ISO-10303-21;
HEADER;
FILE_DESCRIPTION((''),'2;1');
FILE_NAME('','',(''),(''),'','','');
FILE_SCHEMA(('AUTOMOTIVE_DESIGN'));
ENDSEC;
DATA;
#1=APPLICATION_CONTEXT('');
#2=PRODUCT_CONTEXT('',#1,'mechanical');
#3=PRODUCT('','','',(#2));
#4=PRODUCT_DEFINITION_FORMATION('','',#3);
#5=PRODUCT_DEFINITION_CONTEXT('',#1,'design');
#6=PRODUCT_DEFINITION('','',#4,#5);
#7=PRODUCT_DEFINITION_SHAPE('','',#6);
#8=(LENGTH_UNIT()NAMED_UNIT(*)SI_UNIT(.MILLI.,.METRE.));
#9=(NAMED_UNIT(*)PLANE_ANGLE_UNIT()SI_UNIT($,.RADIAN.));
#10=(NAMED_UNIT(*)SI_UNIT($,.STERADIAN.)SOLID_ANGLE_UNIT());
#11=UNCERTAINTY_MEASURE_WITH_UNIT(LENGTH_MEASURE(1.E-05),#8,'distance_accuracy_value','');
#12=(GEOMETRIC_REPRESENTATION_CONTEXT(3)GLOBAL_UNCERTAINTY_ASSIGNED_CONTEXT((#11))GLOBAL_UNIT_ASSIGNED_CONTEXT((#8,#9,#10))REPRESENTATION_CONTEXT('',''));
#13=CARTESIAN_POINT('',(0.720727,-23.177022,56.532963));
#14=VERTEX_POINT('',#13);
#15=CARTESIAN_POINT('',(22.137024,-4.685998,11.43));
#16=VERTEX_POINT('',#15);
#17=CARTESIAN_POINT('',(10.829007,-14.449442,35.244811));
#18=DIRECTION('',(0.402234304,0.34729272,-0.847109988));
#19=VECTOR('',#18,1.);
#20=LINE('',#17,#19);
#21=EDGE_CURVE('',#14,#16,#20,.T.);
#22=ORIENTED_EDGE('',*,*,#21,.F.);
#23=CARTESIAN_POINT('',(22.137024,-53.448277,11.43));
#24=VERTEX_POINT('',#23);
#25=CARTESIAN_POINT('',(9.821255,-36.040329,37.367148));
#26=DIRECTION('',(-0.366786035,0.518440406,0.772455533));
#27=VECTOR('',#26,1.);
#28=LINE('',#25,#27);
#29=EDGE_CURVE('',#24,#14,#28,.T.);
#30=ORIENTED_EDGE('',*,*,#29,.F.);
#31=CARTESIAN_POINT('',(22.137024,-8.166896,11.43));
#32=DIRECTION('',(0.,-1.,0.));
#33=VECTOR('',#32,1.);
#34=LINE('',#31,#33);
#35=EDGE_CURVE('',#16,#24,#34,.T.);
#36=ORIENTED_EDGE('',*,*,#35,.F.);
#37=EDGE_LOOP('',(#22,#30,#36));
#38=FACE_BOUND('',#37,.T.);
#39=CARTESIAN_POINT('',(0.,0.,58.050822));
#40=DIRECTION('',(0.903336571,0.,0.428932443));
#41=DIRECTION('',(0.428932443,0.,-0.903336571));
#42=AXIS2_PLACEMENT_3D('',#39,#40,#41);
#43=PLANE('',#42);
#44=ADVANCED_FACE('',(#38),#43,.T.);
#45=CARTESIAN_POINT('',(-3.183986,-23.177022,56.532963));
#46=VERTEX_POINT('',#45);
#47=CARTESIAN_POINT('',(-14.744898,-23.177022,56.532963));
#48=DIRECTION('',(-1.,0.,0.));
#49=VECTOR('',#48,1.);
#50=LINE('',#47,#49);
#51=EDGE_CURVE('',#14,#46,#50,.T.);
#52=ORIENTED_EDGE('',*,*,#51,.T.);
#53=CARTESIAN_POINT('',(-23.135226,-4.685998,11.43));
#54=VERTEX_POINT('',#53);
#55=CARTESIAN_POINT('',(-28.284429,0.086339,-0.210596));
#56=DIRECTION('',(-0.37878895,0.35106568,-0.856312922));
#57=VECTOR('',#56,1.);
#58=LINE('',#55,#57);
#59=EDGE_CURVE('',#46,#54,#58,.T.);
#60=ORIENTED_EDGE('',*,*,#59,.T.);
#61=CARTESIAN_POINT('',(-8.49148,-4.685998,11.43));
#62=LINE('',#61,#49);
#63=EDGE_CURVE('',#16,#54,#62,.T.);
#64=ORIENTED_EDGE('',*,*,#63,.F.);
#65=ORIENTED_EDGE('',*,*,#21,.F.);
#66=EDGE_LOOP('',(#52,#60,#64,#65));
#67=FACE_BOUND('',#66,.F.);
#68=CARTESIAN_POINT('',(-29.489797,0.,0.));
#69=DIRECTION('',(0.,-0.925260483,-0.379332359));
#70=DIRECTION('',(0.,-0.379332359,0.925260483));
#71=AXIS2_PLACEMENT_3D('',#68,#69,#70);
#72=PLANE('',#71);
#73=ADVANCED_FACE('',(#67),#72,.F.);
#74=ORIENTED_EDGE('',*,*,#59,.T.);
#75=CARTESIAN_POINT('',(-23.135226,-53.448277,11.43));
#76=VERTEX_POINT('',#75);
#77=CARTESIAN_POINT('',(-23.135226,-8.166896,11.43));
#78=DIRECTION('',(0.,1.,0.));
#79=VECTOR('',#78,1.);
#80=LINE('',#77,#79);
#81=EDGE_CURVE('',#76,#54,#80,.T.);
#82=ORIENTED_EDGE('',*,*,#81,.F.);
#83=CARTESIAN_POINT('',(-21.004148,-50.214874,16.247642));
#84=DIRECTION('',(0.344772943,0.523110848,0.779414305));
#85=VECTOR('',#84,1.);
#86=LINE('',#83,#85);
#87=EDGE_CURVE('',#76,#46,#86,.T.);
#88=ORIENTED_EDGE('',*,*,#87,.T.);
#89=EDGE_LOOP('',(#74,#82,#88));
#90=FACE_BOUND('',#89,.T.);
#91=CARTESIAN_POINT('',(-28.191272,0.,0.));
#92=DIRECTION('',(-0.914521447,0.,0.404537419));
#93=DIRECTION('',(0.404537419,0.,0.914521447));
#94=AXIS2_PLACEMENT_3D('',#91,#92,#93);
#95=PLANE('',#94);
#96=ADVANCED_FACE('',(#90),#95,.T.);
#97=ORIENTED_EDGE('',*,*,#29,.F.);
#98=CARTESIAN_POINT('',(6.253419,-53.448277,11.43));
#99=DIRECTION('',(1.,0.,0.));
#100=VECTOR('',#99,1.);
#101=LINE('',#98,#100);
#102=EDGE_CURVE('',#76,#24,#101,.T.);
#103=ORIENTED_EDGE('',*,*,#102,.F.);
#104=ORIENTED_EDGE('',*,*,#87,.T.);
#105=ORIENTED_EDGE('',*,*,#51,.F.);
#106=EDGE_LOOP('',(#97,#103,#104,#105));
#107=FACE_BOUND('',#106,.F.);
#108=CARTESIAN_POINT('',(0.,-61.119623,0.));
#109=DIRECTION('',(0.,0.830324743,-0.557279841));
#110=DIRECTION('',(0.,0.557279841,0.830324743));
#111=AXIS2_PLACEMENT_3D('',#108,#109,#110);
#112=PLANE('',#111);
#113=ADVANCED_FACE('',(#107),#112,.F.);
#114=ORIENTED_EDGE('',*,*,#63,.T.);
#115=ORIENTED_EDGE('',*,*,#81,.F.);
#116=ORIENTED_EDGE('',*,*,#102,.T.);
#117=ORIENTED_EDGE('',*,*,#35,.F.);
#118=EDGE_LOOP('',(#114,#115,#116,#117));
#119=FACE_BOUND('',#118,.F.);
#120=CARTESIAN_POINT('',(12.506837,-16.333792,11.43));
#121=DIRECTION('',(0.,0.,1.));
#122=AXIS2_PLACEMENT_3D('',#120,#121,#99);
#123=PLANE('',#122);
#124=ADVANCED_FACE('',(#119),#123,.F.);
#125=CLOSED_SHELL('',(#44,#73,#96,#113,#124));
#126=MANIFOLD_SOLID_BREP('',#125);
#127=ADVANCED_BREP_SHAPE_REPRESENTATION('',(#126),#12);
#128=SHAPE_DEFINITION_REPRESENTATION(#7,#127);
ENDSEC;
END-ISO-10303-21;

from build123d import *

# Parameters (mm, degrees)
F0_W      = 55.562247
F0_H      = 56.532964
F1_DEPTH  = 55.88
F3_DEPTH  = 143.764
F5_DEPTH  = 45.466
F7_DEPTH  = 94.742
F9_DEPTH  = 254
F10_W     = 102.854468
F10_H     = 33.626976
F11_DEPTH = 128.524
F12_W     = 127.998766
F12_H     = 88.431828
F13_DEPTH = 11.43


with BuildPart() as f1:
    # F0 (on Front) → F1 (new body)
    with BuildSketch(Plane.XZ):
        with Locations((-1.708673, 28.266482)):
            Rectangle(F0_W, F0_H)
    extrude(amount=F1_DEPTH)

    # F2 (on Front) → F3 (cut)
    with BuildSketch(Plane.XZ):
        Polygon((0, 58.050822), (27.564345, 0), (27.564345, 58.050822), align=None)
    extrude(amount=F3_DEPTH, mode=Mode.SUBTRACT)

    # F4 (on Right) → F5 (cut, symmetric)
    with BuildSketch(Plane.YZ):
        Polygon((-62.023856, 67.624263), (-61.119623, 0), (-15.732997, 67.624263), align=None)
    extrude(amount=F5_DEPTH, both=True, mode=Mode.SUBTRACT)

    # F6 (on face) → F7 (cut)
    with BuildSketch(Plane(origin=(-29.489797, 0, 0), x_dir=(0, -1, 0), z_dir=(-1, 0, 0))):
        Polygon((0, 0), (23.177022, 56.532964), (0, 56.532964), align=None)
    extrude(amount=-F7_DEPTH, mode=Mode.SUBTRACT)

    # F8 (on Front) → F9 (cut)
    with BuildSketch(Plane.XZ):
        Polygon((-39.340276, 63.730873), (-28.191272, 0), (0, 63.730873), align=None)
    extrude(amount=F9_DEPTH, mode=Mode.SUBTRACT)

    # F10 (on Front) → F11 (cut)
    with BuildSketch(Plane.XZ):
        with Locations((-6.703854, -8.482341)):
            Rectangle(F10_W, F10_H)
    extrude(amount=F11_DEPTH, mode=Mode.SUBTRACT)

    # F12 (on Top) → F13 (cut)
    with BuildSketch(Plane.XY):
        with Locations((12.506837, -16.333792)):
            Rectangle(F12_W, F12_H)
    extrude(amount=F13_DEPTH, mode=Mode.SUBTRACT)


solid = f1.part
